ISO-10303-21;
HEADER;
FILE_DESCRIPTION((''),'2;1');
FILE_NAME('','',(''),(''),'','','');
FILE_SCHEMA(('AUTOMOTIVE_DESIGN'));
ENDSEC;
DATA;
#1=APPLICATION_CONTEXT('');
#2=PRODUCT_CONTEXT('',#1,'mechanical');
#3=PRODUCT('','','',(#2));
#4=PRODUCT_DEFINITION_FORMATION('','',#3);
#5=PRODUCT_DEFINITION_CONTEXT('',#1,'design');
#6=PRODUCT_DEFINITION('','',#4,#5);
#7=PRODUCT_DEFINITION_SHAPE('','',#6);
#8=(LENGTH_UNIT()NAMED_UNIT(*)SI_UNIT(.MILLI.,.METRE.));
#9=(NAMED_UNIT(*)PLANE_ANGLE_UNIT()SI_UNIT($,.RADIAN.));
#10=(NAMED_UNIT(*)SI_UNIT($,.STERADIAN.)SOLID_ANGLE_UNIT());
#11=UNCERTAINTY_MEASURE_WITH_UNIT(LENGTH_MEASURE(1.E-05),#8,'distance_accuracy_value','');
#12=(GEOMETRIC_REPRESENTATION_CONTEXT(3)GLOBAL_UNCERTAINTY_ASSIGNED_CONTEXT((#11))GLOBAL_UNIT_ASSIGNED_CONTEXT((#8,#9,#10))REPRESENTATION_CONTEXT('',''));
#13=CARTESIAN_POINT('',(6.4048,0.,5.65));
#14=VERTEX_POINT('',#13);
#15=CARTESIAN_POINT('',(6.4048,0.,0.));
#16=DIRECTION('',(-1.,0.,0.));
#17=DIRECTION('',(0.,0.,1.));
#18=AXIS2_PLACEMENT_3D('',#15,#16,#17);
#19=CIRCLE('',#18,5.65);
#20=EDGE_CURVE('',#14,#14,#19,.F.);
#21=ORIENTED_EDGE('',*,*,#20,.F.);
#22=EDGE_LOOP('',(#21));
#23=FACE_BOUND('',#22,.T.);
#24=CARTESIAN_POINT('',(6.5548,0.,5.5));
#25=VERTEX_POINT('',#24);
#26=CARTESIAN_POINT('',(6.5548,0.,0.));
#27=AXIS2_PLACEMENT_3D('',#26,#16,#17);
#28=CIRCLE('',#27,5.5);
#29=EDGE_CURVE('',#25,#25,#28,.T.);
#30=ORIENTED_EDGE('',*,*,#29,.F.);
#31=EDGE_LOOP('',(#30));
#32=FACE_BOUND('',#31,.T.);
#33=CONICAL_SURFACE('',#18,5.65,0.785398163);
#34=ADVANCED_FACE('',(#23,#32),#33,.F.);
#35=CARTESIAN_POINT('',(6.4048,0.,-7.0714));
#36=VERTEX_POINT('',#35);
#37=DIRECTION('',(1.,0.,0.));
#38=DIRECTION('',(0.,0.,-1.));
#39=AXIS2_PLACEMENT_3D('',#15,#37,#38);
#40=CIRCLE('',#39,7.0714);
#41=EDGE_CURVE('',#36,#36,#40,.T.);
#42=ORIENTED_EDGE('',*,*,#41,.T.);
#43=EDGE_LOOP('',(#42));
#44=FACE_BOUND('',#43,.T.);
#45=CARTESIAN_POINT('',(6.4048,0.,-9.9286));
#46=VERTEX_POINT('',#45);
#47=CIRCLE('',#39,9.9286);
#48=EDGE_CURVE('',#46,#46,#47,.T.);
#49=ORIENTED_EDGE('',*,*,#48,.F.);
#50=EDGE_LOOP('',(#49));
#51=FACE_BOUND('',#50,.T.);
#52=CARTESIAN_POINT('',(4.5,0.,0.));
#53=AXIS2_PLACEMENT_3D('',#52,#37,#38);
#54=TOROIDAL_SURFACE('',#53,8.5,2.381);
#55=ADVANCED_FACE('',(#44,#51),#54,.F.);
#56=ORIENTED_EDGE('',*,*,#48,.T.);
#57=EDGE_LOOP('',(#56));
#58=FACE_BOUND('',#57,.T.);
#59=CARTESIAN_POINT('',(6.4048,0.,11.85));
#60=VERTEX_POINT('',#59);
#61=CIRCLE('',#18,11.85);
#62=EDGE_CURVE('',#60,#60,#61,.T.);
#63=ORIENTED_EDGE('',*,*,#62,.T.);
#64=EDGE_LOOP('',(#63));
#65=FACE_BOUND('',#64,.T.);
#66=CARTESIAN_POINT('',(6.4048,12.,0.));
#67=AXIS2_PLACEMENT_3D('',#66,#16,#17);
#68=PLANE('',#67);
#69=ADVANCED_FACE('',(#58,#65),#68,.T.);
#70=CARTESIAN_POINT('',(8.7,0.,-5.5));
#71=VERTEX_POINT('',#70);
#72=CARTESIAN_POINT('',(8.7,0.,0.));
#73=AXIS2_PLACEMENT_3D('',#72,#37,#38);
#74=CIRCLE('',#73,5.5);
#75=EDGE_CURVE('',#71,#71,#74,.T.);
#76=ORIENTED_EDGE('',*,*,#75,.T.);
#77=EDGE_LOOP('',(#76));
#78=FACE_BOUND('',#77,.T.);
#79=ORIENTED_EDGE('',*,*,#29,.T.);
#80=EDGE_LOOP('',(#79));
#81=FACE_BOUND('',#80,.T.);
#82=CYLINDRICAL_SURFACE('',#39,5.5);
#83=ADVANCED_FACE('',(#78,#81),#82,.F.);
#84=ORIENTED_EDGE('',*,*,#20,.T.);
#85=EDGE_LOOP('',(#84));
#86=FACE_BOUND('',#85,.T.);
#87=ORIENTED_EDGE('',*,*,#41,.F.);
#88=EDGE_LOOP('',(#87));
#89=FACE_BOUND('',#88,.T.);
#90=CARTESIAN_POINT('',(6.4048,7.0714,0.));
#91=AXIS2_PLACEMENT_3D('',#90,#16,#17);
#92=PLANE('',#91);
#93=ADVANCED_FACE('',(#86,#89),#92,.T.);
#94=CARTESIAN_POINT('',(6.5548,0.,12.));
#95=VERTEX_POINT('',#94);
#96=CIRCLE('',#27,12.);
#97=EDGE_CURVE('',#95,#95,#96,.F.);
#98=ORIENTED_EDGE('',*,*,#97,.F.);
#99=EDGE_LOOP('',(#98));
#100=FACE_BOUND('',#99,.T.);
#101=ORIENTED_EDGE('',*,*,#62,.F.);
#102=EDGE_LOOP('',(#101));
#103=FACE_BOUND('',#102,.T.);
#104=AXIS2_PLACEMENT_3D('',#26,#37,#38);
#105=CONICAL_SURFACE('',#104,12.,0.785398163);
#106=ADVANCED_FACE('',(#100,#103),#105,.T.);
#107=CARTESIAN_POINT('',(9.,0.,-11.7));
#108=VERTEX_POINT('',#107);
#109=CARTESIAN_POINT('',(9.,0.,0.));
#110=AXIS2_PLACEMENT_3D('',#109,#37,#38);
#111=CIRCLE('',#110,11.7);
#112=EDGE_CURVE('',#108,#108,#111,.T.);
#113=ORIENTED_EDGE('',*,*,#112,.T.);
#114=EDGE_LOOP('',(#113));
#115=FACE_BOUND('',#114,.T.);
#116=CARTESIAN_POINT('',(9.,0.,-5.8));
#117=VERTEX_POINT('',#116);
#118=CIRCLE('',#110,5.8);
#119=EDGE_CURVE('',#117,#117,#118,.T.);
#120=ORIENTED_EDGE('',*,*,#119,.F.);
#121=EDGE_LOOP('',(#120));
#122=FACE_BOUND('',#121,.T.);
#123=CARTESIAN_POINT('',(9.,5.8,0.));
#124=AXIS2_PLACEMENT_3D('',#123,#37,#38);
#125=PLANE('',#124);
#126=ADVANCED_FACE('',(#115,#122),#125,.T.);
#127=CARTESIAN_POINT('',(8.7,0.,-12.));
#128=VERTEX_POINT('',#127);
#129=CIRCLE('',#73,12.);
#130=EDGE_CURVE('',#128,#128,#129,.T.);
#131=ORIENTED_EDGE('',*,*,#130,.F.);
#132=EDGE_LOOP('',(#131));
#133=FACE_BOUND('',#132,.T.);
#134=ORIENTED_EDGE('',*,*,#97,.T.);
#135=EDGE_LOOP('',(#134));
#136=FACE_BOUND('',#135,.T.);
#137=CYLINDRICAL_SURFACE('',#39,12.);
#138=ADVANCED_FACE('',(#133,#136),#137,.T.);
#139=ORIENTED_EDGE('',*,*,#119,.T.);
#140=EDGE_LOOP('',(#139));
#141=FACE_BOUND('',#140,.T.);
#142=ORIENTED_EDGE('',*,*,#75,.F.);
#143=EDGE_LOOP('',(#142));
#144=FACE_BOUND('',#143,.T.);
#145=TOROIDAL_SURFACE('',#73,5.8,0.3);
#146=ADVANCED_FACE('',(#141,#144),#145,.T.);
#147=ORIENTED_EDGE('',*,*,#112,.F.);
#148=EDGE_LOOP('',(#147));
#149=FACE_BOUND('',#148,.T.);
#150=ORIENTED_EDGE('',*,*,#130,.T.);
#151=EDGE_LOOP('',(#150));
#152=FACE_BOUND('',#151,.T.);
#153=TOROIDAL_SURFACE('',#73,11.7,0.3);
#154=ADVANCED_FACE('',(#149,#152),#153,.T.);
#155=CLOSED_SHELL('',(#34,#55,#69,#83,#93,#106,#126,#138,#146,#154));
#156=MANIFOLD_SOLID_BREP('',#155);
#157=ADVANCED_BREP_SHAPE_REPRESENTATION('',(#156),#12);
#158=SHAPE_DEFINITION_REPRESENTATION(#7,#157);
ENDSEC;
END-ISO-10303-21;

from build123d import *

# Parameters (mm, degrees)
CHAMFER_1_SIZE = 0.15


with BuildPart() as part:
    # Эскиз1 → Повернуть1 (revolve)
    with BuildSketch(Plane.XY, mode=Mode.PRIVATE) as revolve_1_sk:
        with BuildLine():
            Line((6.4048, 12), (6.4048, 9.9286))
            ThreePointArc((6.4048, 9.9286), (6.881, 8.5), (6.4048, 7.0714))
            Line((6.4048, 7.0714), (6.4048, 5.5))
            Line((6.4048, 5.5), (8.7, 5.5))
            ThreePointArc((8.7, 5.5), (8.912132034, 5.587867966), (9, 5.8))
            Line((9, 5.8), (9, 11.7))
            ThreePointArc((9, 11.7), (8.912132034, 11.912132034), (8.7, 12))
            Line((8.7, 12), (6.4048, 12))
        make_face()
    revolve(revolve_1_sk.sketch.rotate(Axis((6.4048, 0, 0), (1, 0, 0)), 270), axis=Axis((6.4048, 0, 0), (1, 0, 0)))

    # Фаска1
    chamfer_1_edges = [part.edges().sort_by_distance(p)[0] for p in [
        (6.4048, 0, 12),
        (6.4048, 0, 5.5),
    ]]
    chamfer(chamfer_1_edges, length=CHAMFER_1_SIZE)


solid = part.part
